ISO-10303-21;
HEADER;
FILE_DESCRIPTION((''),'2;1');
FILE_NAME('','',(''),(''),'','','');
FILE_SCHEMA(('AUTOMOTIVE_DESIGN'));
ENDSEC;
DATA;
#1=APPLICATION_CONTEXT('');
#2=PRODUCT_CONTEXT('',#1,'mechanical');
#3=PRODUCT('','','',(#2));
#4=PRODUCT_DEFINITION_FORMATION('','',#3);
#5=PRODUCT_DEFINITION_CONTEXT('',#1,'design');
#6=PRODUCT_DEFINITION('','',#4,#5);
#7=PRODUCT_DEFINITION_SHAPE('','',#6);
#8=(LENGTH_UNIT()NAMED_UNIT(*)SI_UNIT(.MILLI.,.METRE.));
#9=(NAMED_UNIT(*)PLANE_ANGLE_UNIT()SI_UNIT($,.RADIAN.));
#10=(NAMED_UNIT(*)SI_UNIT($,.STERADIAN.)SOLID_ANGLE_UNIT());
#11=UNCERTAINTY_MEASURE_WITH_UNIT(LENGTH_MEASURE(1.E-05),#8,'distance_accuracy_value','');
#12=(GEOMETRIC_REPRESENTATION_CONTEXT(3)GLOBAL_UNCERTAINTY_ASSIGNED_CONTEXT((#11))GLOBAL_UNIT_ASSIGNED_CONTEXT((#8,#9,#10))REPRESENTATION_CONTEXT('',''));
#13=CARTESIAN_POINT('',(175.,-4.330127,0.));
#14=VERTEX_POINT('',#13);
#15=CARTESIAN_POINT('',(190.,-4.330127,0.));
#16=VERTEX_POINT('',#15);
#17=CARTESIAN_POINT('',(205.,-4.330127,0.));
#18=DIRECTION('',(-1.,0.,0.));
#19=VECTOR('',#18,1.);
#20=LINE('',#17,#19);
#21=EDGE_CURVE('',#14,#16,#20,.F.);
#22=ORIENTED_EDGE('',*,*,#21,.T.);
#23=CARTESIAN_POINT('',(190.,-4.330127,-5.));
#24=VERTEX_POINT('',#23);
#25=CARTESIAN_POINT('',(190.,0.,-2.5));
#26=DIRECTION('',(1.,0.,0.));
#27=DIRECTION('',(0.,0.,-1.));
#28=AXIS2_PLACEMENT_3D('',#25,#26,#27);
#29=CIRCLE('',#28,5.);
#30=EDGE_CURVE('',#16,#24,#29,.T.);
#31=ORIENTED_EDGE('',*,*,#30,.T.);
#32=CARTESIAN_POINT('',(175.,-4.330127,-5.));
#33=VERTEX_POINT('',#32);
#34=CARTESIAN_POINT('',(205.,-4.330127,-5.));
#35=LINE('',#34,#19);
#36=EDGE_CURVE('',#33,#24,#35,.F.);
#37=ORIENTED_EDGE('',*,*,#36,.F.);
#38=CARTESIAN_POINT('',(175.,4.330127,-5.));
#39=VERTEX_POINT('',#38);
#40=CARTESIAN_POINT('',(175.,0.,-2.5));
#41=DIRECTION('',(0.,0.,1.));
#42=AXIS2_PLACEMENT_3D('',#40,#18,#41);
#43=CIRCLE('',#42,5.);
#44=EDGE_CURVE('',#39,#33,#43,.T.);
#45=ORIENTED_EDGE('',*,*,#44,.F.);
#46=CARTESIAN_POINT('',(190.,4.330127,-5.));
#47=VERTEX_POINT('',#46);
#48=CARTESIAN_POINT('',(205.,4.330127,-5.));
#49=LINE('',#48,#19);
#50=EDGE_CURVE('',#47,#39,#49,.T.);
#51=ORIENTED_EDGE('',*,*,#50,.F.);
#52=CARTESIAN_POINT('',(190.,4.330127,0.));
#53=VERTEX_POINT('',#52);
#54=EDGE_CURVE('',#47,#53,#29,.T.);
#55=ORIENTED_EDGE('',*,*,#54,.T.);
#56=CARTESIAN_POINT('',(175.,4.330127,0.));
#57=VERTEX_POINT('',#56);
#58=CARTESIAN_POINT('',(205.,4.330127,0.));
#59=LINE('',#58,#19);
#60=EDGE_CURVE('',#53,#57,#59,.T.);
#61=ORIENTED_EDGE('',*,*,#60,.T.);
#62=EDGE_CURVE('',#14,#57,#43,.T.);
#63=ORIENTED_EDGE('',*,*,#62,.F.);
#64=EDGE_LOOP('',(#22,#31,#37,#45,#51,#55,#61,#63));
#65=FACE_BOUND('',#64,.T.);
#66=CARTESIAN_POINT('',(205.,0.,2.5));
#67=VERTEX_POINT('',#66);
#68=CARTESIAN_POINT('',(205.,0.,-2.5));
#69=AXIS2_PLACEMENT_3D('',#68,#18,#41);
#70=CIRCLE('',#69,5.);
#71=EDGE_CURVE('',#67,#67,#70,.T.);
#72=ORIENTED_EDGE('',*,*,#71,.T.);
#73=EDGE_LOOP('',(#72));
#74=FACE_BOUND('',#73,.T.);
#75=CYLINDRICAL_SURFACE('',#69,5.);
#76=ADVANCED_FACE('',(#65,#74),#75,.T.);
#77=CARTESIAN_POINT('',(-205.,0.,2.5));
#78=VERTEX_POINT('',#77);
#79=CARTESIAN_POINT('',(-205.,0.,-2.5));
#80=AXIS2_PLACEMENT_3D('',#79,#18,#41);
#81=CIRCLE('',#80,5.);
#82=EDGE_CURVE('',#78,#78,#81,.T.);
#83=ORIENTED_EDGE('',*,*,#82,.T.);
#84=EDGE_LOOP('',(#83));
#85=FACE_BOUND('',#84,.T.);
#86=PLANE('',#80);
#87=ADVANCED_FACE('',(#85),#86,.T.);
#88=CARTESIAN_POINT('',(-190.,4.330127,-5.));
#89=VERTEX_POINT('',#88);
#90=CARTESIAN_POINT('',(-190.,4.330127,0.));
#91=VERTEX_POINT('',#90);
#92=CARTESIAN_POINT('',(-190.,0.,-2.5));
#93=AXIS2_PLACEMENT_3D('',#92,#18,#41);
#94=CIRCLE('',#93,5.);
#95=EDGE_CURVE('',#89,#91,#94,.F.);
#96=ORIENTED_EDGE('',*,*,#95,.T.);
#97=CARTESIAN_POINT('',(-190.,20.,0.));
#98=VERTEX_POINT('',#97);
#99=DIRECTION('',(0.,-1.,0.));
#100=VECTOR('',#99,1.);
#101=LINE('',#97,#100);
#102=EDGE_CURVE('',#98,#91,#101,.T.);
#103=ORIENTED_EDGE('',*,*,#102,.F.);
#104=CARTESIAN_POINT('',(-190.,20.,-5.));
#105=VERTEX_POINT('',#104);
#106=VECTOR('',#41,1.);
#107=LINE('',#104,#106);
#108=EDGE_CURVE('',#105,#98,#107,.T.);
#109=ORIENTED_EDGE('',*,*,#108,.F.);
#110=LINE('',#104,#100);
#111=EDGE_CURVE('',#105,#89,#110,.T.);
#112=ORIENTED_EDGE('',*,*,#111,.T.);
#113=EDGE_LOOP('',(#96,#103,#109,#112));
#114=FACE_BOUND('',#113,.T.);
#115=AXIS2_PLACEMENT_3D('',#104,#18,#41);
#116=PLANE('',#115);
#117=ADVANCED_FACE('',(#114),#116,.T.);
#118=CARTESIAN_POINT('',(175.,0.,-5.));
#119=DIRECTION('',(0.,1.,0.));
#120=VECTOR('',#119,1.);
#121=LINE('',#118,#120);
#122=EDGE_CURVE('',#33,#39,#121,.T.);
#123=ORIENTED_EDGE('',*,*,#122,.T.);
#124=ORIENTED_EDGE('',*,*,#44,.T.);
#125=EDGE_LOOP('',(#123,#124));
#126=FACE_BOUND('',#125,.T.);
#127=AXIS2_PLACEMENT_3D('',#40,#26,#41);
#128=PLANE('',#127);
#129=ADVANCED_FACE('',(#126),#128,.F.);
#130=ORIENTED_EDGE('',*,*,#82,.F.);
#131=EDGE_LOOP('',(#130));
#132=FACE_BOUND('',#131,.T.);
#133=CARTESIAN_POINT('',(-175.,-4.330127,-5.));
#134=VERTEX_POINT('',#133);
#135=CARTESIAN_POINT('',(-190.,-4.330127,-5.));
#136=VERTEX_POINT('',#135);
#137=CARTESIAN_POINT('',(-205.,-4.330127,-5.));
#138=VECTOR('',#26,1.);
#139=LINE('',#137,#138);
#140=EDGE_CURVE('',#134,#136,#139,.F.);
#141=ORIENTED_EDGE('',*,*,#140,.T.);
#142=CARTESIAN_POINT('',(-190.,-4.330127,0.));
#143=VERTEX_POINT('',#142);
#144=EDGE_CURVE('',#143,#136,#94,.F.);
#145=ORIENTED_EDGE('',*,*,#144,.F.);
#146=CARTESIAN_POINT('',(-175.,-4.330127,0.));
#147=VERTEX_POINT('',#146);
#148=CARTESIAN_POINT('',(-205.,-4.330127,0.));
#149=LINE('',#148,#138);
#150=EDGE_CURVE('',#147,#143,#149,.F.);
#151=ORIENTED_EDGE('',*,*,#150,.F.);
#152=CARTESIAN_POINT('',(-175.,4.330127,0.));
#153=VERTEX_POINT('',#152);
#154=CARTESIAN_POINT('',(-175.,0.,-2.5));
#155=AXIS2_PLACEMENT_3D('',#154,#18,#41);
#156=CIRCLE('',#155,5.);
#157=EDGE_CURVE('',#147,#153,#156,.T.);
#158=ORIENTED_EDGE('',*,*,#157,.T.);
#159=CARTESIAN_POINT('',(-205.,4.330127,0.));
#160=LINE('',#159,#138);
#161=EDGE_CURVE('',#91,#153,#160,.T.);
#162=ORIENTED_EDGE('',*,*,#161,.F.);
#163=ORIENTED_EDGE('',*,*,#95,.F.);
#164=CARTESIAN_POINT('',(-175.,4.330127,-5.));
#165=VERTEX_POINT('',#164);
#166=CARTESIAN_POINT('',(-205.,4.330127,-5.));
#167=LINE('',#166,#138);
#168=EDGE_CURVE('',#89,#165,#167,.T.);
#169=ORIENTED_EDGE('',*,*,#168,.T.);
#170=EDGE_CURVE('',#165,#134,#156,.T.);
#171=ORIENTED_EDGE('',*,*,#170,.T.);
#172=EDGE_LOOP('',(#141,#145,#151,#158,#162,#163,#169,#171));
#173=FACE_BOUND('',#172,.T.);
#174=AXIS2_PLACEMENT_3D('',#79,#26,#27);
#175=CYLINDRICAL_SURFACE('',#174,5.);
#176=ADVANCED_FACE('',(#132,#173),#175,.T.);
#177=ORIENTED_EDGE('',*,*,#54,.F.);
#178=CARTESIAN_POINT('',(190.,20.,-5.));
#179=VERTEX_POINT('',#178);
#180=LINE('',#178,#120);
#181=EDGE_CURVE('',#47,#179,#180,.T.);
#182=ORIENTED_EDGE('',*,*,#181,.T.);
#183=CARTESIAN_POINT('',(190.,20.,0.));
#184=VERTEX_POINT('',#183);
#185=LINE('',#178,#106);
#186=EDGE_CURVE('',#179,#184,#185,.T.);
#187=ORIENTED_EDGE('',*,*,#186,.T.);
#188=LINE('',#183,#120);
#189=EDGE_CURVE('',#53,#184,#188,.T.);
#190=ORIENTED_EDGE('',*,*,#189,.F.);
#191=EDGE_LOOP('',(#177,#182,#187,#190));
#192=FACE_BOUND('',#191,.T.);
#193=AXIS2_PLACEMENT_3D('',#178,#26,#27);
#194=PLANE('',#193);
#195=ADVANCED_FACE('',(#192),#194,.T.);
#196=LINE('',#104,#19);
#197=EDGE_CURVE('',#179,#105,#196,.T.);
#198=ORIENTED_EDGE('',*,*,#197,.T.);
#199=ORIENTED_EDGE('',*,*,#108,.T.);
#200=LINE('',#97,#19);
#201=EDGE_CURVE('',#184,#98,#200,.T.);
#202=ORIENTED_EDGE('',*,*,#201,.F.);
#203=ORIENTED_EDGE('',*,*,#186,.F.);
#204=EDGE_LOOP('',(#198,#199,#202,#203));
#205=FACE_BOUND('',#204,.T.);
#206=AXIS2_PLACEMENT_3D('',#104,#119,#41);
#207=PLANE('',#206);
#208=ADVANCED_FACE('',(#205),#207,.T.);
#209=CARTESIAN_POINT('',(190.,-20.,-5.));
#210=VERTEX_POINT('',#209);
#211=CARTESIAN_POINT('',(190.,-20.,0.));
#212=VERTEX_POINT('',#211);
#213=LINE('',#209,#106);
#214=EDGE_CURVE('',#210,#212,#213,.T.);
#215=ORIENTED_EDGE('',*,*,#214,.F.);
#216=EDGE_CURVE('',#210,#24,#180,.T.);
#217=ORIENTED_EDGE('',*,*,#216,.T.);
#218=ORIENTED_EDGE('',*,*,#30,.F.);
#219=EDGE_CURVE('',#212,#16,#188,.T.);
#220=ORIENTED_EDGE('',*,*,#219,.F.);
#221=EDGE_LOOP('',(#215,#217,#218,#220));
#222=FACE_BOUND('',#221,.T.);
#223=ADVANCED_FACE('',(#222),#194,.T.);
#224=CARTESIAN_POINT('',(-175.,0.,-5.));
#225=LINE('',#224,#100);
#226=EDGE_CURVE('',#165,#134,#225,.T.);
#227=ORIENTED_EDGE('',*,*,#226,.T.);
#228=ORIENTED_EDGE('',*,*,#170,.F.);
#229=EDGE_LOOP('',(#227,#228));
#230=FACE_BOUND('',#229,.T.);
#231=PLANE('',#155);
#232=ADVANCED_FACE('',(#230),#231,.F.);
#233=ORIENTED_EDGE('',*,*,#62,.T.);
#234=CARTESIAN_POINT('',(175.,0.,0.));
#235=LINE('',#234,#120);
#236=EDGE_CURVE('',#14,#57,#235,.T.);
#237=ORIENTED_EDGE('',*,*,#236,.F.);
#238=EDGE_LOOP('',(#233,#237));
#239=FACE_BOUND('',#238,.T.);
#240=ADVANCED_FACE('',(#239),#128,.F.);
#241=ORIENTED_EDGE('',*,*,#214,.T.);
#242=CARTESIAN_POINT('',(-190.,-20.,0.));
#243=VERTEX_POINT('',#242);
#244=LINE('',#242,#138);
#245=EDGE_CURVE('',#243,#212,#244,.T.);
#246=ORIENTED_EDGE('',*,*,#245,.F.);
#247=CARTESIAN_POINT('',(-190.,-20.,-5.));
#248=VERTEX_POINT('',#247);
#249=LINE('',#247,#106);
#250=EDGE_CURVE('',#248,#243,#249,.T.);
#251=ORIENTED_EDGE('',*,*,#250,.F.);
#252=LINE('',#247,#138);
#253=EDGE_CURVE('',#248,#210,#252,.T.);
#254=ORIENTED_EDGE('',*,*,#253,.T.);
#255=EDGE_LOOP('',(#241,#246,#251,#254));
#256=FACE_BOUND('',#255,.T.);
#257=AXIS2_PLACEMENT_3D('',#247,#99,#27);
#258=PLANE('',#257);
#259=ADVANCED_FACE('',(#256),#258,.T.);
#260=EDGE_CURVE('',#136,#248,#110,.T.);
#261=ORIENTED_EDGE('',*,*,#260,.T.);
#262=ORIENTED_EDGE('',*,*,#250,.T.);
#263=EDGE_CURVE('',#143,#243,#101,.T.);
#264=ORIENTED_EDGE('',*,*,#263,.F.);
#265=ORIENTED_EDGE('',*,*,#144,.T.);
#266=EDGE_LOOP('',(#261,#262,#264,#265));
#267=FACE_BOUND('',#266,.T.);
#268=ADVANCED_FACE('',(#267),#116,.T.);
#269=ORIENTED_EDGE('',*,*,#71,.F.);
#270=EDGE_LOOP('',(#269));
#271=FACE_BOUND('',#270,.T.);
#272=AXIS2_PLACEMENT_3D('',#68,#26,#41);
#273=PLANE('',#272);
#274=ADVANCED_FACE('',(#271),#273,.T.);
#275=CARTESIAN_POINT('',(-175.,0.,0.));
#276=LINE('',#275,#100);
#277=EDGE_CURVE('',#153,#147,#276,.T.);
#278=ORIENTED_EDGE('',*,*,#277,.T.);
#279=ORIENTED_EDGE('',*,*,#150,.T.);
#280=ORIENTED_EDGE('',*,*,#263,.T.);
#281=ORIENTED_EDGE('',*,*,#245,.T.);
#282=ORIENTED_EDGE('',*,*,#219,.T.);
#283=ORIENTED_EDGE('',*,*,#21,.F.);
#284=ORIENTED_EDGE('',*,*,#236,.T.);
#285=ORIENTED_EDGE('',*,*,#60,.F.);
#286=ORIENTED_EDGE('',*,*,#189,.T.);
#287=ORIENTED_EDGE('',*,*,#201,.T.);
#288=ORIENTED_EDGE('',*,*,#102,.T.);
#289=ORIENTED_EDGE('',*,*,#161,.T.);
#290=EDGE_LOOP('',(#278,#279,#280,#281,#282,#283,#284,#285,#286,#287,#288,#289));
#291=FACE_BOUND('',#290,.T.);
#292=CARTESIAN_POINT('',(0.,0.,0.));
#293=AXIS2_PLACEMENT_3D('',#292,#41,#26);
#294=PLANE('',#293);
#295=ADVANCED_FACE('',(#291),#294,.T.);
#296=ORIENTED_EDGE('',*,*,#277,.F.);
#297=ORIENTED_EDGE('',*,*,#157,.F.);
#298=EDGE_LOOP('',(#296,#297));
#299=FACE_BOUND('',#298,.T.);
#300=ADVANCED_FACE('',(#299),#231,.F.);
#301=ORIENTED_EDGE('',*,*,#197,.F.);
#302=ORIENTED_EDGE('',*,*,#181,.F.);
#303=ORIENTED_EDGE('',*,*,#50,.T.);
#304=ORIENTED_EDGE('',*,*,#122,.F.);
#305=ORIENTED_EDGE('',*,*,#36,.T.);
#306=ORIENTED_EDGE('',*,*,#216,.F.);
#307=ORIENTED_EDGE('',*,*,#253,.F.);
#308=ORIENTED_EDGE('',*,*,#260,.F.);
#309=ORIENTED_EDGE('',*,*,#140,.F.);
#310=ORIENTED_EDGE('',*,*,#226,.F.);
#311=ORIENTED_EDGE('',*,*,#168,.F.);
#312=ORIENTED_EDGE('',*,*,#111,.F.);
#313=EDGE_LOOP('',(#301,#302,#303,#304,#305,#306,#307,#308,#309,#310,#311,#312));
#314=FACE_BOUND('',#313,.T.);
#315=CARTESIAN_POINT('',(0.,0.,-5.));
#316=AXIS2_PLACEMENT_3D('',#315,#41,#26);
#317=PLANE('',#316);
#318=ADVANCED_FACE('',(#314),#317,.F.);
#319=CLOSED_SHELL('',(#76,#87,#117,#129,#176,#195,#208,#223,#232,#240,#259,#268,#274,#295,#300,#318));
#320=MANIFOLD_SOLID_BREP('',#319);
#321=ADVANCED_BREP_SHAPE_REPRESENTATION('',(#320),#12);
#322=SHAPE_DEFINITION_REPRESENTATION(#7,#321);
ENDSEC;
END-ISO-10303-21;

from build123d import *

# Parameters (mm, degrees)
SKETCH1_W           = 380
SKETCH1_H           = 40
BOSS_EXTRUDE1_DEPTH = 5
SKETCH2_R           = 5
BOSS_EXTRUDE2_DEPTH = 15


with BuildPart() as part:
    # Sketch1 → Boss-Extrude1 (new body)
    with BuildSketch(Plane.XY):
        Rectangle(SKETCH1_W, SKETCH1_H)
    extrude(amount=-BOSS_EXTRUDE1_DEPTH)

    # Sketch2 → Boss-Extrude2 (add, symmetric)
    with BuildSketch(Plane.ZY.offset(190)):
        with Locations(Location((-2.5, 0, 0), (0, 0, 120))):
            Circle(SKETCH2_R)
    boss_extrude2 = extrude(amount=BOSS_EXTRUDE2_DEPTH, both=True)

    # Mirror1: Boss-Extrude2 across plane
    add(boss_extrude2.mirror(Plane(origin=(0, 0, 0), x_dir=(0, 0, 1), z_dir=(1, 0, 0))))


solid = part.part
